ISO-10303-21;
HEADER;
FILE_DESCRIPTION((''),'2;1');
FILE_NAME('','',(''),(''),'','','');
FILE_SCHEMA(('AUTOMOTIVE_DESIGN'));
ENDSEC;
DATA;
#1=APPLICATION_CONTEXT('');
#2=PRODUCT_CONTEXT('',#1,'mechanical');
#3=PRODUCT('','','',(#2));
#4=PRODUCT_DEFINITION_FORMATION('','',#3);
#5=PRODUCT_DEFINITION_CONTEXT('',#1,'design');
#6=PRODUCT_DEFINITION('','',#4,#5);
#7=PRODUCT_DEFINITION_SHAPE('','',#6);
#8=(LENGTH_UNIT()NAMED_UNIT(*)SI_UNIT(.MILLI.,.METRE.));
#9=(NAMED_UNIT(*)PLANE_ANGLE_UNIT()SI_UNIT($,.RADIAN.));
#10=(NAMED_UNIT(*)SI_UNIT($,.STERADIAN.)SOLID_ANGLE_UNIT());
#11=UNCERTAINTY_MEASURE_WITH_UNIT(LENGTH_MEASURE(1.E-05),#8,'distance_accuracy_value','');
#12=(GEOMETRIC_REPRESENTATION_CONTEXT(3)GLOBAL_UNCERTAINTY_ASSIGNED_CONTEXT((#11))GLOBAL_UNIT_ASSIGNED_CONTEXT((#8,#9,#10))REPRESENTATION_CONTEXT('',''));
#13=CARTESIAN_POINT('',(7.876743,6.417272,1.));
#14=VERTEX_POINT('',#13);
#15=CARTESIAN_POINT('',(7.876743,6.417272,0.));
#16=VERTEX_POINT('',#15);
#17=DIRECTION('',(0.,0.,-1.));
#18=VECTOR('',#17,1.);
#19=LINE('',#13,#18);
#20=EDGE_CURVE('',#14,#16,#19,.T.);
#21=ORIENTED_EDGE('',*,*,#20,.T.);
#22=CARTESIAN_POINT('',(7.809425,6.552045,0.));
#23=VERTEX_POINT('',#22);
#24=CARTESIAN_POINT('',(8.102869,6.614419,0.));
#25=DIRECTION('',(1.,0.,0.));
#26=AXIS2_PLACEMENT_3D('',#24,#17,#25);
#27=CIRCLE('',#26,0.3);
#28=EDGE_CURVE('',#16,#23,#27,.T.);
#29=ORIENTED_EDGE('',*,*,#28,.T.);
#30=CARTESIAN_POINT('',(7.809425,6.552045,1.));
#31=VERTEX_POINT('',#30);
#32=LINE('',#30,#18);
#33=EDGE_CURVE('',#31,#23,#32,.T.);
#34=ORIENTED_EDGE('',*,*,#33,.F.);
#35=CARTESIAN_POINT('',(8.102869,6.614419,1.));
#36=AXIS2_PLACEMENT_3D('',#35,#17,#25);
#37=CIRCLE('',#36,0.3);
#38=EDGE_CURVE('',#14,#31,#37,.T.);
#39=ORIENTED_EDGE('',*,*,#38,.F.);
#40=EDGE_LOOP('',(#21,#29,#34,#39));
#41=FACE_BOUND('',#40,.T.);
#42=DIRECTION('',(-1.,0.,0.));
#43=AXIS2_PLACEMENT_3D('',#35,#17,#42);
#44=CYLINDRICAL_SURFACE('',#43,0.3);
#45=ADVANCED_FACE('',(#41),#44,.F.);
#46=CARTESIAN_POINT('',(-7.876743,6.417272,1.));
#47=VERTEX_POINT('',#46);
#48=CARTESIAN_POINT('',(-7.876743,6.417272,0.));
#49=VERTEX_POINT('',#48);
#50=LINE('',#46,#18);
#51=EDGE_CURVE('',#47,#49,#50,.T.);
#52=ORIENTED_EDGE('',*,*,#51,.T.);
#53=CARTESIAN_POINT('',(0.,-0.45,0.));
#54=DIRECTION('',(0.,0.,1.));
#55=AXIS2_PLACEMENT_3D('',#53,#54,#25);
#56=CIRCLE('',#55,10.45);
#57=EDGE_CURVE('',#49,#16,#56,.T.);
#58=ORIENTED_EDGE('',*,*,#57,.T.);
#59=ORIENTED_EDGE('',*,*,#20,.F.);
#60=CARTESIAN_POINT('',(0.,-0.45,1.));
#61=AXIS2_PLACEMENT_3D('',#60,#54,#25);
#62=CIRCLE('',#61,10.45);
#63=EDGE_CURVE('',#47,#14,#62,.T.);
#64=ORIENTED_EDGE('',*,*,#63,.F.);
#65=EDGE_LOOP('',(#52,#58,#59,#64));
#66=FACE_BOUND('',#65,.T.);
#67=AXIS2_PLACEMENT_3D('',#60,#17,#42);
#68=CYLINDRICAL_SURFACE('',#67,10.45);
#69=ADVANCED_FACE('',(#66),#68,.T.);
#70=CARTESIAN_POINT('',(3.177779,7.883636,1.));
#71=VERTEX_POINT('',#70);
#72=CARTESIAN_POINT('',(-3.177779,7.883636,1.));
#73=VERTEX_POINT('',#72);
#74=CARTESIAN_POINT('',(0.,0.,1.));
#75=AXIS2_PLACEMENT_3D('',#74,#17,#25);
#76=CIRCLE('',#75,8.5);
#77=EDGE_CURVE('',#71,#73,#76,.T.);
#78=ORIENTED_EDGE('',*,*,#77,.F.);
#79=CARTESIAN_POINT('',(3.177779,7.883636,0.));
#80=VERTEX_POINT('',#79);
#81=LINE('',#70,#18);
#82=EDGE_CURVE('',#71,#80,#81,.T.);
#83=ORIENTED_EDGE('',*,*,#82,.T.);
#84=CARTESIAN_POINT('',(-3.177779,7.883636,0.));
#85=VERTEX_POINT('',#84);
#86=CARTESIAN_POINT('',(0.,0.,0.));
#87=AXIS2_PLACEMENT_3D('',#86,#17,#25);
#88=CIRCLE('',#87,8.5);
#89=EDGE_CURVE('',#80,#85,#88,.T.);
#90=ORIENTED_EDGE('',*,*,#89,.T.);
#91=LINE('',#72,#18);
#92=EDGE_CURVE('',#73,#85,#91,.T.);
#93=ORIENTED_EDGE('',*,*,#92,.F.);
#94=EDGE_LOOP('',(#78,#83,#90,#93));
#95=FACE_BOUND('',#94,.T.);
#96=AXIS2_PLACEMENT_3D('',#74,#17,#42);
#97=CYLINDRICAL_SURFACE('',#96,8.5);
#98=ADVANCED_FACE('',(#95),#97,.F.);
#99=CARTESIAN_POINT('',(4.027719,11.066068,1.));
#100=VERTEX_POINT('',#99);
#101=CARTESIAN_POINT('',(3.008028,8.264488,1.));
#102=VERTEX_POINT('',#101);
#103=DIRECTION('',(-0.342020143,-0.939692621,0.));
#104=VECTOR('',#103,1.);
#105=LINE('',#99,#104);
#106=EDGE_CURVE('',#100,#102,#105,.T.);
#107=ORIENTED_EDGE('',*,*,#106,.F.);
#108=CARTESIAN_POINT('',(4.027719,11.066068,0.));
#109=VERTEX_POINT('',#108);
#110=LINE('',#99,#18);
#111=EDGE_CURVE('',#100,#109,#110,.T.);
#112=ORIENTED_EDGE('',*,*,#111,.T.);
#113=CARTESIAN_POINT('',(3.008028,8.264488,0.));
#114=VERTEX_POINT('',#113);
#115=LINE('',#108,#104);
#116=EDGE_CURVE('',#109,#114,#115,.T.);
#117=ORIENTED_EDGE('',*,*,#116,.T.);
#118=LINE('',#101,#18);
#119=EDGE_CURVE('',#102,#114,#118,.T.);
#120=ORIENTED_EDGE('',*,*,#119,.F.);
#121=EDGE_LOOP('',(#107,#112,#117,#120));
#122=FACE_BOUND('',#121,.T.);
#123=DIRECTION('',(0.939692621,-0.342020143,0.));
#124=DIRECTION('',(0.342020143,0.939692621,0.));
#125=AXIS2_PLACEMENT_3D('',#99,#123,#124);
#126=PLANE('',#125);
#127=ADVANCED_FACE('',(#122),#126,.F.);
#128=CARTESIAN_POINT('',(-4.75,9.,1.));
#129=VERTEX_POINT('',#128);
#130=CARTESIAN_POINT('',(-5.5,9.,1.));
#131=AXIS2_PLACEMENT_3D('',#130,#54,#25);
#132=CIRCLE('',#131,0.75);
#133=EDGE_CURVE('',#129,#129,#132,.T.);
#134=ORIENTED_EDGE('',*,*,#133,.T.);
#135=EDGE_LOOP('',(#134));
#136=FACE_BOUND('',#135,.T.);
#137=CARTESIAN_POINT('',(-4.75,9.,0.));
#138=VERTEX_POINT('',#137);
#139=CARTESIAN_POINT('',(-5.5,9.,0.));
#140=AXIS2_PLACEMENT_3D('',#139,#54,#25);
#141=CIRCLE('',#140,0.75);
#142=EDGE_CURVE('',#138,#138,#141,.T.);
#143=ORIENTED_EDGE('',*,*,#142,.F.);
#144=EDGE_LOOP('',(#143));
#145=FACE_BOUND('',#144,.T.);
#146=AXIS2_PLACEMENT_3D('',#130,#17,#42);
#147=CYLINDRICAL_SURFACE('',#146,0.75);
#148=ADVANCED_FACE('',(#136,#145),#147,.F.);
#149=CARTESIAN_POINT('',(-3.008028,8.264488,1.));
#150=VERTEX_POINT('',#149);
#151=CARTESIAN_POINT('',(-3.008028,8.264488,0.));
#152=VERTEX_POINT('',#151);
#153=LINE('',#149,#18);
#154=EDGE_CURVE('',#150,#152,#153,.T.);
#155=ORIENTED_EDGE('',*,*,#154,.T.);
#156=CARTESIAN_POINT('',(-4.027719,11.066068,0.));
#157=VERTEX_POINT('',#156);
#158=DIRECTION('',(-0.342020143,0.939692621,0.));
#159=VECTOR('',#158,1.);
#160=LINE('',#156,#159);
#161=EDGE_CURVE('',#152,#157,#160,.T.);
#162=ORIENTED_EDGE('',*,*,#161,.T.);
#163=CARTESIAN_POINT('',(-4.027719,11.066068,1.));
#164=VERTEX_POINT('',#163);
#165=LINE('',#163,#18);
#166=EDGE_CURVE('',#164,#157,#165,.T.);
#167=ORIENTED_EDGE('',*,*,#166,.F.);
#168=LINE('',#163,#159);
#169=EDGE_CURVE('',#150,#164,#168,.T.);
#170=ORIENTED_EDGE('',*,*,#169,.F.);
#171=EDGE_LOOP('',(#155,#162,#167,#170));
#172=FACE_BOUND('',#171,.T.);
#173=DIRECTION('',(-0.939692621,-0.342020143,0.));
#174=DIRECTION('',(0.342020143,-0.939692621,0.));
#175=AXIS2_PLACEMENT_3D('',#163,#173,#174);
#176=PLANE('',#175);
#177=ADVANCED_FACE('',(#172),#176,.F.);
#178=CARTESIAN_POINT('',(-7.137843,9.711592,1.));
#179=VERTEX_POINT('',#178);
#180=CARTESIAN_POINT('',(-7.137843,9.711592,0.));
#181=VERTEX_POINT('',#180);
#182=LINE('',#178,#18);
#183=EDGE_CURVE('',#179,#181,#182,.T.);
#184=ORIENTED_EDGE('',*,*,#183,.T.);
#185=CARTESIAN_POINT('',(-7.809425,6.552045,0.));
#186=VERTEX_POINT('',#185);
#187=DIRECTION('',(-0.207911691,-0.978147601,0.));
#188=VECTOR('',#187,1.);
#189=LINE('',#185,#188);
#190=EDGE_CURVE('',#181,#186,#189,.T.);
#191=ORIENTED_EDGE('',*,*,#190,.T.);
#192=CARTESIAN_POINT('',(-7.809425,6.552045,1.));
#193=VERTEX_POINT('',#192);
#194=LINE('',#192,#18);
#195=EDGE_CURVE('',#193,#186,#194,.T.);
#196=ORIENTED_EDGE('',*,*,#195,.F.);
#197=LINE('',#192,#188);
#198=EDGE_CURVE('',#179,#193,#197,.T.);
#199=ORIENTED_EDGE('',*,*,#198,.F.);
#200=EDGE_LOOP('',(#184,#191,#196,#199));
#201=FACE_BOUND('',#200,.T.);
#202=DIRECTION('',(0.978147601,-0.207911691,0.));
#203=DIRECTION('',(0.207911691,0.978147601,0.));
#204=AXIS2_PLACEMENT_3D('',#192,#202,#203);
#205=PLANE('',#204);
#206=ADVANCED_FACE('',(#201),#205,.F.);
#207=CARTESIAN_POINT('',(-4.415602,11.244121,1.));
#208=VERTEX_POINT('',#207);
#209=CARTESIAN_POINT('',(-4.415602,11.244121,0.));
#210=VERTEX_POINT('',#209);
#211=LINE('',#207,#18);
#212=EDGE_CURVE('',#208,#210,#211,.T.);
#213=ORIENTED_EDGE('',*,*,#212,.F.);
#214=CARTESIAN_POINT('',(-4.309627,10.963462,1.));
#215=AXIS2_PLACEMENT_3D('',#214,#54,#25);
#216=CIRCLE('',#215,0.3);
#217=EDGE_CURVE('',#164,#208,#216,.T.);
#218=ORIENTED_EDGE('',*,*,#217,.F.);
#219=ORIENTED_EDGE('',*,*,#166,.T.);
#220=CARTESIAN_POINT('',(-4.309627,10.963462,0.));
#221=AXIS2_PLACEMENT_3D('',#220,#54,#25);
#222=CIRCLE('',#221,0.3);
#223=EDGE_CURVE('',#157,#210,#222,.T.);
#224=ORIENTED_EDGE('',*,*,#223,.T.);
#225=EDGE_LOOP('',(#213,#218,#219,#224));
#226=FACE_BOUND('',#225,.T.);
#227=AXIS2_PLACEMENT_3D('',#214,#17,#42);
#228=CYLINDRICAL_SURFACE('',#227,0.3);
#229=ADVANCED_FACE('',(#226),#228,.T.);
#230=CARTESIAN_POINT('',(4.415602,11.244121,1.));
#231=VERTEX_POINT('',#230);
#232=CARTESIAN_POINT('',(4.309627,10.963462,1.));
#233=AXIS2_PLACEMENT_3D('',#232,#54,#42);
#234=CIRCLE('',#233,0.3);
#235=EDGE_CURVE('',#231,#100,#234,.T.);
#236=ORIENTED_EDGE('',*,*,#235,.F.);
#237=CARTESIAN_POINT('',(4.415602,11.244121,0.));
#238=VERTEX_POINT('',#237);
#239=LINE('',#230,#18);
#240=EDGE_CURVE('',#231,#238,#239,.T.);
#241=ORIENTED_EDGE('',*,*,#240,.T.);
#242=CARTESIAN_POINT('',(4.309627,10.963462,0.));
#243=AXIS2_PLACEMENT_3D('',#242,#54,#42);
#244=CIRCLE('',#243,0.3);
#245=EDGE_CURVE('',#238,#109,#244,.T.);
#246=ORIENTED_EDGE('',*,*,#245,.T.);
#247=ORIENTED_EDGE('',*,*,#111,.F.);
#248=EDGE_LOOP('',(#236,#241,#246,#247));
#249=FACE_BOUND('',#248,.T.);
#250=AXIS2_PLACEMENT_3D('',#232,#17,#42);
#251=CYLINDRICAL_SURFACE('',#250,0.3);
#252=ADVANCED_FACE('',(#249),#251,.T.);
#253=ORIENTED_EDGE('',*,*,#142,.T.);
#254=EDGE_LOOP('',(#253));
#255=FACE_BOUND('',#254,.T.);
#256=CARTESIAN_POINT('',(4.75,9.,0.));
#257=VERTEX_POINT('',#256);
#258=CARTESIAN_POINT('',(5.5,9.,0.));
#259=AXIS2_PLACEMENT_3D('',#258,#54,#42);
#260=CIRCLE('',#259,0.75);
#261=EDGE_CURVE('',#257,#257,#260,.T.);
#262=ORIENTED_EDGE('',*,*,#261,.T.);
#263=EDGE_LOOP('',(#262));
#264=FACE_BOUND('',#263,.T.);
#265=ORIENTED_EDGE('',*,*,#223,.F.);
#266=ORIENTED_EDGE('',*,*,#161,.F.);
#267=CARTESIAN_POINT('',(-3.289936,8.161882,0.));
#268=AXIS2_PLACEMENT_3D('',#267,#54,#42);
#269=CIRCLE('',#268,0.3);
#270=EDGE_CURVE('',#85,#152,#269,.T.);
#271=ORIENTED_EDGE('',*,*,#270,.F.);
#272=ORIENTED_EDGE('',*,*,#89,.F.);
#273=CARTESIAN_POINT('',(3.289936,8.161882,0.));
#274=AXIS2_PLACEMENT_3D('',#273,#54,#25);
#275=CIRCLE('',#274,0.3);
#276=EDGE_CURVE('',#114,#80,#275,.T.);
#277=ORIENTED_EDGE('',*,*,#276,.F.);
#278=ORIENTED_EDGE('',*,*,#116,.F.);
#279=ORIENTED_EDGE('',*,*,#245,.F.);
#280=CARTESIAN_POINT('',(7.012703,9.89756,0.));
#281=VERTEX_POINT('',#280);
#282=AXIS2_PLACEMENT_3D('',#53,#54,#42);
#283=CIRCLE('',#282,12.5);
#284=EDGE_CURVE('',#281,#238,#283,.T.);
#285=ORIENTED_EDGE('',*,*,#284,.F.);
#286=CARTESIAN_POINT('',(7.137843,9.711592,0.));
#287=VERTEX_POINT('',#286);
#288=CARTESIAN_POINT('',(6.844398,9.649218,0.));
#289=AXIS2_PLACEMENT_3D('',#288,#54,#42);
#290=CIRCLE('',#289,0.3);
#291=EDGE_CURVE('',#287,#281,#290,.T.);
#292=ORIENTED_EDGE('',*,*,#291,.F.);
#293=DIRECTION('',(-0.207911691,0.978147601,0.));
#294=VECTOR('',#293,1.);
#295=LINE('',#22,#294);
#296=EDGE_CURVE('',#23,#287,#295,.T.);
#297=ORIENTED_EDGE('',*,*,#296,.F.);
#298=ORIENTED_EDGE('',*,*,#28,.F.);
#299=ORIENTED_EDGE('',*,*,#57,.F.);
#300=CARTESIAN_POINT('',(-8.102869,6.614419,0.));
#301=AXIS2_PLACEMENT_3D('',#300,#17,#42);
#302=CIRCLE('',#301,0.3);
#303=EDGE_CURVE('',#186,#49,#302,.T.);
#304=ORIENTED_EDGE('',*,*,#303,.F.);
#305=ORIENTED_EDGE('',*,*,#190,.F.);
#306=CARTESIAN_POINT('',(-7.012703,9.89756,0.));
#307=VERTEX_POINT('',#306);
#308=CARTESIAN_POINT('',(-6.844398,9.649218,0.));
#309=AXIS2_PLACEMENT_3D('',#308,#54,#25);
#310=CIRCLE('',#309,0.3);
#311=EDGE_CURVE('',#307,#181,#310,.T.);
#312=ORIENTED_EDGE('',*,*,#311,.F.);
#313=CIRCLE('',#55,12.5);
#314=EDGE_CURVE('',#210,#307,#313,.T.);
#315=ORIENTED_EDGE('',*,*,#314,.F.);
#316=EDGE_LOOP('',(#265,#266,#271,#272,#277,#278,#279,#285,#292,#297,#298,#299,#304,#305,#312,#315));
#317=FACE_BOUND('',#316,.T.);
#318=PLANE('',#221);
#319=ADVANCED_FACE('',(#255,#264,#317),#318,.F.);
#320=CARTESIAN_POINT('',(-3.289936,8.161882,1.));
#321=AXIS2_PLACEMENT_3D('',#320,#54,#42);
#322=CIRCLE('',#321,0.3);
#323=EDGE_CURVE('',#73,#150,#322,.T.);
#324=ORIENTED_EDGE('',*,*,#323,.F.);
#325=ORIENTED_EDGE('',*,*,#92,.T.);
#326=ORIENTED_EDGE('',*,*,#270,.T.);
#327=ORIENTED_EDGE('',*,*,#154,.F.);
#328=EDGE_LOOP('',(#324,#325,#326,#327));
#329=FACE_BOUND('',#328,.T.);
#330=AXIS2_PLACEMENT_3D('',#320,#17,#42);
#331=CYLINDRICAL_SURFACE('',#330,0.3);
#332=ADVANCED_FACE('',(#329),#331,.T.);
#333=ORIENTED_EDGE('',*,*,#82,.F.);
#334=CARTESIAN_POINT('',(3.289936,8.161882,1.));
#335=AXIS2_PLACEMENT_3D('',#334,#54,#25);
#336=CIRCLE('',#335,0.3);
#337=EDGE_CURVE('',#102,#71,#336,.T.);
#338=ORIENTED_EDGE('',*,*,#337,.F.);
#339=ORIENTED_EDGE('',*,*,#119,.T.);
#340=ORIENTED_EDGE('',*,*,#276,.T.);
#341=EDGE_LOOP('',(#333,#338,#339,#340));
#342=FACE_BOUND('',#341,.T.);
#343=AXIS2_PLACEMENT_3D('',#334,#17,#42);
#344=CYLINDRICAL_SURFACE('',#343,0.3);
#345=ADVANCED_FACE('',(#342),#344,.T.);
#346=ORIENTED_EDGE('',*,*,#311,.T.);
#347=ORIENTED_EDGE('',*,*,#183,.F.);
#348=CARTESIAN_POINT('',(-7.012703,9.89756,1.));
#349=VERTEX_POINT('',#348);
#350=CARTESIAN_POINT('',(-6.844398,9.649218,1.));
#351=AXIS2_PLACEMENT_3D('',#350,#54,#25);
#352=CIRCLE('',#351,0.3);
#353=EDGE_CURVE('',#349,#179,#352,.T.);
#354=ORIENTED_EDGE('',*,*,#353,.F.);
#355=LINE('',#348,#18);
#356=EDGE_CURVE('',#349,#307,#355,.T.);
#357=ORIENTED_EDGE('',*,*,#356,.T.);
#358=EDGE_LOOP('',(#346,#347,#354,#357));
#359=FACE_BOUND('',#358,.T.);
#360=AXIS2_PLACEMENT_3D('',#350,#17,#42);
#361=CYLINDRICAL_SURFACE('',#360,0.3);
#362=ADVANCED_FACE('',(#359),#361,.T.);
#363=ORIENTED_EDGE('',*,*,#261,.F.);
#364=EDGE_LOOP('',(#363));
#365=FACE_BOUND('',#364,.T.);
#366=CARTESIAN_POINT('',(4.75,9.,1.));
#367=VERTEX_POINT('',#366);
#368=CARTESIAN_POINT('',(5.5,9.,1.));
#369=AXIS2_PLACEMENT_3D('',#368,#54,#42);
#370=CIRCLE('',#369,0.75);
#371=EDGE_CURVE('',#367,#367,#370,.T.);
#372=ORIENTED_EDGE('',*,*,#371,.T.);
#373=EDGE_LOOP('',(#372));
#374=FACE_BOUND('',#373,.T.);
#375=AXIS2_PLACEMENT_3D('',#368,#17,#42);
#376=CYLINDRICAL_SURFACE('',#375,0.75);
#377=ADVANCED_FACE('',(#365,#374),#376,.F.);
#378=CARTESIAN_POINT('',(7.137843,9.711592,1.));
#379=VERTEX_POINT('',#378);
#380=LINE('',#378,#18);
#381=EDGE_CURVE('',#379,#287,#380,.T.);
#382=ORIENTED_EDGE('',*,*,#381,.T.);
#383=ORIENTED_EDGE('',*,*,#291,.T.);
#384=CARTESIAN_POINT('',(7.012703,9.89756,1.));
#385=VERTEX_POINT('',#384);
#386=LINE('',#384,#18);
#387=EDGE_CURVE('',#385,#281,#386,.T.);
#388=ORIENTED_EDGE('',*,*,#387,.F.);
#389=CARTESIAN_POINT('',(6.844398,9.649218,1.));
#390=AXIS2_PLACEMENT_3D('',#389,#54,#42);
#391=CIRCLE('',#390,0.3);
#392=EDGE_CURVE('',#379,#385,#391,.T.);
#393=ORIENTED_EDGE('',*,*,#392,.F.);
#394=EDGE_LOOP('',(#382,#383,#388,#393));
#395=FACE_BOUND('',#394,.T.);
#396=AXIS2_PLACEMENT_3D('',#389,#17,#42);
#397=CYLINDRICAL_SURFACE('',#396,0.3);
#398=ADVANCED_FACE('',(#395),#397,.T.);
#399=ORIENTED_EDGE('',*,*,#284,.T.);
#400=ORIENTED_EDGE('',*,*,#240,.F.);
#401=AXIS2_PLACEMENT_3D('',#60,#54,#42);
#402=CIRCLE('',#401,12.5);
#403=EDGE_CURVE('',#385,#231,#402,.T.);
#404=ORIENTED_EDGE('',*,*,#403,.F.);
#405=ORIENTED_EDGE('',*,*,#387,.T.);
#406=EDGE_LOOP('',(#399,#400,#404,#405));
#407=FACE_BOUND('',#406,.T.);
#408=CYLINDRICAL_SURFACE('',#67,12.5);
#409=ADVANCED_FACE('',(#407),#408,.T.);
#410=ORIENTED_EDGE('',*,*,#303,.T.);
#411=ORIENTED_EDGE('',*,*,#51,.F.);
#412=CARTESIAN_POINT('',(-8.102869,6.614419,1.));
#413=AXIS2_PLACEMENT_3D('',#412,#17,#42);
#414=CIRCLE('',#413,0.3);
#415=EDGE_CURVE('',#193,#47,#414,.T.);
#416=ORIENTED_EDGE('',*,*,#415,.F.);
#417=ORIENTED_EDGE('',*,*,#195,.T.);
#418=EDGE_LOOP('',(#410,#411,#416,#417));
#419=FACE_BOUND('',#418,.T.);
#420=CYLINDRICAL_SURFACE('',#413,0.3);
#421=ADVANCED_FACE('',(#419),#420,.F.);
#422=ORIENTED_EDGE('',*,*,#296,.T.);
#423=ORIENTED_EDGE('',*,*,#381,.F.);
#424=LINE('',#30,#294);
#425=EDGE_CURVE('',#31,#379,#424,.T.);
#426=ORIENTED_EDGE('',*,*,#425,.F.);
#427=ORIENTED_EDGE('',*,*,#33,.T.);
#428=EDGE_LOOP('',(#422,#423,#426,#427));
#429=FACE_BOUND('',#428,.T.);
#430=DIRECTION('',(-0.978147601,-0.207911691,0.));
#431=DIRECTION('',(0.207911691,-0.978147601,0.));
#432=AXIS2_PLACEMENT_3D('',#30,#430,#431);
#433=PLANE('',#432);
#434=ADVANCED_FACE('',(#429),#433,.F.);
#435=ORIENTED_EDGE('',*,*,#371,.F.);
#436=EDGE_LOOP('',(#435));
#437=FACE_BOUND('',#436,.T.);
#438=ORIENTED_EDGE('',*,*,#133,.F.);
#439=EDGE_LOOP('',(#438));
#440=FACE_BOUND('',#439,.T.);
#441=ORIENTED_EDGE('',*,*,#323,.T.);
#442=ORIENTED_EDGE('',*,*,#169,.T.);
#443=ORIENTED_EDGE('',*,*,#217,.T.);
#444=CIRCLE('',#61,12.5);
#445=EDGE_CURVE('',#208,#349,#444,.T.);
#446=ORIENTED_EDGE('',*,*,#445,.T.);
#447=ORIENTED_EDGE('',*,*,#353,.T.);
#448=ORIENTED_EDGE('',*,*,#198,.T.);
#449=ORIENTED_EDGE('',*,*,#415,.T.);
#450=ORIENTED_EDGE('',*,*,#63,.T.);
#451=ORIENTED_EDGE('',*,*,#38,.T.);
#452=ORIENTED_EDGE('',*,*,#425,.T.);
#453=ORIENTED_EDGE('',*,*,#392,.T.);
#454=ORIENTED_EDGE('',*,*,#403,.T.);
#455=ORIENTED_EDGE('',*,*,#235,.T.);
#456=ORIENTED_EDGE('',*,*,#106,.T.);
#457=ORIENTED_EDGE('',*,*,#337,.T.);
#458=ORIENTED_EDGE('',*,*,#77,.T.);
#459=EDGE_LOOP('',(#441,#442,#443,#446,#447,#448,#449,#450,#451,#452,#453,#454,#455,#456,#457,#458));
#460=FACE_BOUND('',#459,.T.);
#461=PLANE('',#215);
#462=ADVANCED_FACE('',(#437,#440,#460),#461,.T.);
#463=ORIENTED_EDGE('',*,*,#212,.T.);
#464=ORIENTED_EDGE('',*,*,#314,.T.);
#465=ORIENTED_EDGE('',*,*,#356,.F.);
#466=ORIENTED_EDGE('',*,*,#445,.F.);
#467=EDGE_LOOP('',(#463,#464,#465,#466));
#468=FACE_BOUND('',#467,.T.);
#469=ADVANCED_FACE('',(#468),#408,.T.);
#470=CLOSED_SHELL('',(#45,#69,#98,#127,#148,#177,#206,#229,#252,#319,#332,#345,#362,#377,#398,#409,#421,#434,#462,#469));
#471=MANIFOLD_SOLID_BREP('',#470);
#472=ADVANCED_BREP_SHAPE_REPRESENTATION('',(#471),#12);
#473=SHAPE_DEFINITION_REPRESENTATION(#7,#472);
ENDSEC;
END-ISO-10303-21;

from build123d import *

# Parameters (mm, degrees)
ESQUISSE1_R      = 0.75
EXTRUSION1_DEPTH = 1


with BuildPart() as part:
    # Esquisse1 → Extrusion1 (new body)
    with BuildSketch(Plane.XY):
        with BuildLine():
            Line((-7.809424908, 6.552045147), (-7.137842505, 9.711591939))
            ThreePointArc((-7.137842505, 9.711591939), (-7.093293962, 9.816702497), (-7.012703099, 9.897559869))
            ThreePointArc((-7.012703099, 9.897559869), (-5.753680876, 10.647078732), (-4.415601587, 11.244120857))
            ThreePointArc((-4.415601587, 11.244120857), (-4.184471882, 11.23610854), (-4.027719362, 11.066068))
            Line((-4.027719362, 11.066068), (-3.008027786, 8.26448842))
            ThreePointArc((-3.008027786, 8.26448842), (-3.015921319, 8.039750525), (-3.177778678, 7.883636386))
            ThreePointArc((-3.177778678, 7.883636386), (0, -8.5), (3.177778678, 7.883636386))
            ThreePointArc((3.177778678, 7.883636386), (3.015921319, 8.039750525), (3.008027786, 8.26448842))
            Line((3.008027786, 8.26448842), (4.027719362, 11.066068))
            ThreePointArc((4.027719362, 11.066068), (4.184471882, 11.23610854), (4.415601587, 11.244120857))
            ThreePointArc((4.415601587, 11.244120857), (5.753680876, 10.647078732), (7.012703099, 9.897559869))
            ThreePointArc((7.012703099, 9.897559869), (7.093293962, 9.816702497), (7.137842505, 9.711591939))
            Line((7.137842505, 9.711591939), (7.809424908, 6.552045147))
            ThreePointArc((7.809424908, 6.552045147), (7.834486225, 6.480364242), (7.876742606, 6.417272087))
            ThreePointArc((7.876742606, 6.417272087), (0, -10.9), (-7.876742606, 6.417272087))
            ThreePointArc((-7.876742606, 6.417272087), (-7.834486225, 6.480364242), (-7.809424908, 6.552045147))
        make_face()
        with Locations((-5.5, 9)):
            Circle(ESQUISSE1_R, mode=Mode.SUBTRACT)
        with Locations((5.5, 9)):
            Circle(ESQUISSE1_R, mode=Mode.SUBTRACT)
    extrude(amount=EXTRUSION1_DEPTH)


solid = part.part
